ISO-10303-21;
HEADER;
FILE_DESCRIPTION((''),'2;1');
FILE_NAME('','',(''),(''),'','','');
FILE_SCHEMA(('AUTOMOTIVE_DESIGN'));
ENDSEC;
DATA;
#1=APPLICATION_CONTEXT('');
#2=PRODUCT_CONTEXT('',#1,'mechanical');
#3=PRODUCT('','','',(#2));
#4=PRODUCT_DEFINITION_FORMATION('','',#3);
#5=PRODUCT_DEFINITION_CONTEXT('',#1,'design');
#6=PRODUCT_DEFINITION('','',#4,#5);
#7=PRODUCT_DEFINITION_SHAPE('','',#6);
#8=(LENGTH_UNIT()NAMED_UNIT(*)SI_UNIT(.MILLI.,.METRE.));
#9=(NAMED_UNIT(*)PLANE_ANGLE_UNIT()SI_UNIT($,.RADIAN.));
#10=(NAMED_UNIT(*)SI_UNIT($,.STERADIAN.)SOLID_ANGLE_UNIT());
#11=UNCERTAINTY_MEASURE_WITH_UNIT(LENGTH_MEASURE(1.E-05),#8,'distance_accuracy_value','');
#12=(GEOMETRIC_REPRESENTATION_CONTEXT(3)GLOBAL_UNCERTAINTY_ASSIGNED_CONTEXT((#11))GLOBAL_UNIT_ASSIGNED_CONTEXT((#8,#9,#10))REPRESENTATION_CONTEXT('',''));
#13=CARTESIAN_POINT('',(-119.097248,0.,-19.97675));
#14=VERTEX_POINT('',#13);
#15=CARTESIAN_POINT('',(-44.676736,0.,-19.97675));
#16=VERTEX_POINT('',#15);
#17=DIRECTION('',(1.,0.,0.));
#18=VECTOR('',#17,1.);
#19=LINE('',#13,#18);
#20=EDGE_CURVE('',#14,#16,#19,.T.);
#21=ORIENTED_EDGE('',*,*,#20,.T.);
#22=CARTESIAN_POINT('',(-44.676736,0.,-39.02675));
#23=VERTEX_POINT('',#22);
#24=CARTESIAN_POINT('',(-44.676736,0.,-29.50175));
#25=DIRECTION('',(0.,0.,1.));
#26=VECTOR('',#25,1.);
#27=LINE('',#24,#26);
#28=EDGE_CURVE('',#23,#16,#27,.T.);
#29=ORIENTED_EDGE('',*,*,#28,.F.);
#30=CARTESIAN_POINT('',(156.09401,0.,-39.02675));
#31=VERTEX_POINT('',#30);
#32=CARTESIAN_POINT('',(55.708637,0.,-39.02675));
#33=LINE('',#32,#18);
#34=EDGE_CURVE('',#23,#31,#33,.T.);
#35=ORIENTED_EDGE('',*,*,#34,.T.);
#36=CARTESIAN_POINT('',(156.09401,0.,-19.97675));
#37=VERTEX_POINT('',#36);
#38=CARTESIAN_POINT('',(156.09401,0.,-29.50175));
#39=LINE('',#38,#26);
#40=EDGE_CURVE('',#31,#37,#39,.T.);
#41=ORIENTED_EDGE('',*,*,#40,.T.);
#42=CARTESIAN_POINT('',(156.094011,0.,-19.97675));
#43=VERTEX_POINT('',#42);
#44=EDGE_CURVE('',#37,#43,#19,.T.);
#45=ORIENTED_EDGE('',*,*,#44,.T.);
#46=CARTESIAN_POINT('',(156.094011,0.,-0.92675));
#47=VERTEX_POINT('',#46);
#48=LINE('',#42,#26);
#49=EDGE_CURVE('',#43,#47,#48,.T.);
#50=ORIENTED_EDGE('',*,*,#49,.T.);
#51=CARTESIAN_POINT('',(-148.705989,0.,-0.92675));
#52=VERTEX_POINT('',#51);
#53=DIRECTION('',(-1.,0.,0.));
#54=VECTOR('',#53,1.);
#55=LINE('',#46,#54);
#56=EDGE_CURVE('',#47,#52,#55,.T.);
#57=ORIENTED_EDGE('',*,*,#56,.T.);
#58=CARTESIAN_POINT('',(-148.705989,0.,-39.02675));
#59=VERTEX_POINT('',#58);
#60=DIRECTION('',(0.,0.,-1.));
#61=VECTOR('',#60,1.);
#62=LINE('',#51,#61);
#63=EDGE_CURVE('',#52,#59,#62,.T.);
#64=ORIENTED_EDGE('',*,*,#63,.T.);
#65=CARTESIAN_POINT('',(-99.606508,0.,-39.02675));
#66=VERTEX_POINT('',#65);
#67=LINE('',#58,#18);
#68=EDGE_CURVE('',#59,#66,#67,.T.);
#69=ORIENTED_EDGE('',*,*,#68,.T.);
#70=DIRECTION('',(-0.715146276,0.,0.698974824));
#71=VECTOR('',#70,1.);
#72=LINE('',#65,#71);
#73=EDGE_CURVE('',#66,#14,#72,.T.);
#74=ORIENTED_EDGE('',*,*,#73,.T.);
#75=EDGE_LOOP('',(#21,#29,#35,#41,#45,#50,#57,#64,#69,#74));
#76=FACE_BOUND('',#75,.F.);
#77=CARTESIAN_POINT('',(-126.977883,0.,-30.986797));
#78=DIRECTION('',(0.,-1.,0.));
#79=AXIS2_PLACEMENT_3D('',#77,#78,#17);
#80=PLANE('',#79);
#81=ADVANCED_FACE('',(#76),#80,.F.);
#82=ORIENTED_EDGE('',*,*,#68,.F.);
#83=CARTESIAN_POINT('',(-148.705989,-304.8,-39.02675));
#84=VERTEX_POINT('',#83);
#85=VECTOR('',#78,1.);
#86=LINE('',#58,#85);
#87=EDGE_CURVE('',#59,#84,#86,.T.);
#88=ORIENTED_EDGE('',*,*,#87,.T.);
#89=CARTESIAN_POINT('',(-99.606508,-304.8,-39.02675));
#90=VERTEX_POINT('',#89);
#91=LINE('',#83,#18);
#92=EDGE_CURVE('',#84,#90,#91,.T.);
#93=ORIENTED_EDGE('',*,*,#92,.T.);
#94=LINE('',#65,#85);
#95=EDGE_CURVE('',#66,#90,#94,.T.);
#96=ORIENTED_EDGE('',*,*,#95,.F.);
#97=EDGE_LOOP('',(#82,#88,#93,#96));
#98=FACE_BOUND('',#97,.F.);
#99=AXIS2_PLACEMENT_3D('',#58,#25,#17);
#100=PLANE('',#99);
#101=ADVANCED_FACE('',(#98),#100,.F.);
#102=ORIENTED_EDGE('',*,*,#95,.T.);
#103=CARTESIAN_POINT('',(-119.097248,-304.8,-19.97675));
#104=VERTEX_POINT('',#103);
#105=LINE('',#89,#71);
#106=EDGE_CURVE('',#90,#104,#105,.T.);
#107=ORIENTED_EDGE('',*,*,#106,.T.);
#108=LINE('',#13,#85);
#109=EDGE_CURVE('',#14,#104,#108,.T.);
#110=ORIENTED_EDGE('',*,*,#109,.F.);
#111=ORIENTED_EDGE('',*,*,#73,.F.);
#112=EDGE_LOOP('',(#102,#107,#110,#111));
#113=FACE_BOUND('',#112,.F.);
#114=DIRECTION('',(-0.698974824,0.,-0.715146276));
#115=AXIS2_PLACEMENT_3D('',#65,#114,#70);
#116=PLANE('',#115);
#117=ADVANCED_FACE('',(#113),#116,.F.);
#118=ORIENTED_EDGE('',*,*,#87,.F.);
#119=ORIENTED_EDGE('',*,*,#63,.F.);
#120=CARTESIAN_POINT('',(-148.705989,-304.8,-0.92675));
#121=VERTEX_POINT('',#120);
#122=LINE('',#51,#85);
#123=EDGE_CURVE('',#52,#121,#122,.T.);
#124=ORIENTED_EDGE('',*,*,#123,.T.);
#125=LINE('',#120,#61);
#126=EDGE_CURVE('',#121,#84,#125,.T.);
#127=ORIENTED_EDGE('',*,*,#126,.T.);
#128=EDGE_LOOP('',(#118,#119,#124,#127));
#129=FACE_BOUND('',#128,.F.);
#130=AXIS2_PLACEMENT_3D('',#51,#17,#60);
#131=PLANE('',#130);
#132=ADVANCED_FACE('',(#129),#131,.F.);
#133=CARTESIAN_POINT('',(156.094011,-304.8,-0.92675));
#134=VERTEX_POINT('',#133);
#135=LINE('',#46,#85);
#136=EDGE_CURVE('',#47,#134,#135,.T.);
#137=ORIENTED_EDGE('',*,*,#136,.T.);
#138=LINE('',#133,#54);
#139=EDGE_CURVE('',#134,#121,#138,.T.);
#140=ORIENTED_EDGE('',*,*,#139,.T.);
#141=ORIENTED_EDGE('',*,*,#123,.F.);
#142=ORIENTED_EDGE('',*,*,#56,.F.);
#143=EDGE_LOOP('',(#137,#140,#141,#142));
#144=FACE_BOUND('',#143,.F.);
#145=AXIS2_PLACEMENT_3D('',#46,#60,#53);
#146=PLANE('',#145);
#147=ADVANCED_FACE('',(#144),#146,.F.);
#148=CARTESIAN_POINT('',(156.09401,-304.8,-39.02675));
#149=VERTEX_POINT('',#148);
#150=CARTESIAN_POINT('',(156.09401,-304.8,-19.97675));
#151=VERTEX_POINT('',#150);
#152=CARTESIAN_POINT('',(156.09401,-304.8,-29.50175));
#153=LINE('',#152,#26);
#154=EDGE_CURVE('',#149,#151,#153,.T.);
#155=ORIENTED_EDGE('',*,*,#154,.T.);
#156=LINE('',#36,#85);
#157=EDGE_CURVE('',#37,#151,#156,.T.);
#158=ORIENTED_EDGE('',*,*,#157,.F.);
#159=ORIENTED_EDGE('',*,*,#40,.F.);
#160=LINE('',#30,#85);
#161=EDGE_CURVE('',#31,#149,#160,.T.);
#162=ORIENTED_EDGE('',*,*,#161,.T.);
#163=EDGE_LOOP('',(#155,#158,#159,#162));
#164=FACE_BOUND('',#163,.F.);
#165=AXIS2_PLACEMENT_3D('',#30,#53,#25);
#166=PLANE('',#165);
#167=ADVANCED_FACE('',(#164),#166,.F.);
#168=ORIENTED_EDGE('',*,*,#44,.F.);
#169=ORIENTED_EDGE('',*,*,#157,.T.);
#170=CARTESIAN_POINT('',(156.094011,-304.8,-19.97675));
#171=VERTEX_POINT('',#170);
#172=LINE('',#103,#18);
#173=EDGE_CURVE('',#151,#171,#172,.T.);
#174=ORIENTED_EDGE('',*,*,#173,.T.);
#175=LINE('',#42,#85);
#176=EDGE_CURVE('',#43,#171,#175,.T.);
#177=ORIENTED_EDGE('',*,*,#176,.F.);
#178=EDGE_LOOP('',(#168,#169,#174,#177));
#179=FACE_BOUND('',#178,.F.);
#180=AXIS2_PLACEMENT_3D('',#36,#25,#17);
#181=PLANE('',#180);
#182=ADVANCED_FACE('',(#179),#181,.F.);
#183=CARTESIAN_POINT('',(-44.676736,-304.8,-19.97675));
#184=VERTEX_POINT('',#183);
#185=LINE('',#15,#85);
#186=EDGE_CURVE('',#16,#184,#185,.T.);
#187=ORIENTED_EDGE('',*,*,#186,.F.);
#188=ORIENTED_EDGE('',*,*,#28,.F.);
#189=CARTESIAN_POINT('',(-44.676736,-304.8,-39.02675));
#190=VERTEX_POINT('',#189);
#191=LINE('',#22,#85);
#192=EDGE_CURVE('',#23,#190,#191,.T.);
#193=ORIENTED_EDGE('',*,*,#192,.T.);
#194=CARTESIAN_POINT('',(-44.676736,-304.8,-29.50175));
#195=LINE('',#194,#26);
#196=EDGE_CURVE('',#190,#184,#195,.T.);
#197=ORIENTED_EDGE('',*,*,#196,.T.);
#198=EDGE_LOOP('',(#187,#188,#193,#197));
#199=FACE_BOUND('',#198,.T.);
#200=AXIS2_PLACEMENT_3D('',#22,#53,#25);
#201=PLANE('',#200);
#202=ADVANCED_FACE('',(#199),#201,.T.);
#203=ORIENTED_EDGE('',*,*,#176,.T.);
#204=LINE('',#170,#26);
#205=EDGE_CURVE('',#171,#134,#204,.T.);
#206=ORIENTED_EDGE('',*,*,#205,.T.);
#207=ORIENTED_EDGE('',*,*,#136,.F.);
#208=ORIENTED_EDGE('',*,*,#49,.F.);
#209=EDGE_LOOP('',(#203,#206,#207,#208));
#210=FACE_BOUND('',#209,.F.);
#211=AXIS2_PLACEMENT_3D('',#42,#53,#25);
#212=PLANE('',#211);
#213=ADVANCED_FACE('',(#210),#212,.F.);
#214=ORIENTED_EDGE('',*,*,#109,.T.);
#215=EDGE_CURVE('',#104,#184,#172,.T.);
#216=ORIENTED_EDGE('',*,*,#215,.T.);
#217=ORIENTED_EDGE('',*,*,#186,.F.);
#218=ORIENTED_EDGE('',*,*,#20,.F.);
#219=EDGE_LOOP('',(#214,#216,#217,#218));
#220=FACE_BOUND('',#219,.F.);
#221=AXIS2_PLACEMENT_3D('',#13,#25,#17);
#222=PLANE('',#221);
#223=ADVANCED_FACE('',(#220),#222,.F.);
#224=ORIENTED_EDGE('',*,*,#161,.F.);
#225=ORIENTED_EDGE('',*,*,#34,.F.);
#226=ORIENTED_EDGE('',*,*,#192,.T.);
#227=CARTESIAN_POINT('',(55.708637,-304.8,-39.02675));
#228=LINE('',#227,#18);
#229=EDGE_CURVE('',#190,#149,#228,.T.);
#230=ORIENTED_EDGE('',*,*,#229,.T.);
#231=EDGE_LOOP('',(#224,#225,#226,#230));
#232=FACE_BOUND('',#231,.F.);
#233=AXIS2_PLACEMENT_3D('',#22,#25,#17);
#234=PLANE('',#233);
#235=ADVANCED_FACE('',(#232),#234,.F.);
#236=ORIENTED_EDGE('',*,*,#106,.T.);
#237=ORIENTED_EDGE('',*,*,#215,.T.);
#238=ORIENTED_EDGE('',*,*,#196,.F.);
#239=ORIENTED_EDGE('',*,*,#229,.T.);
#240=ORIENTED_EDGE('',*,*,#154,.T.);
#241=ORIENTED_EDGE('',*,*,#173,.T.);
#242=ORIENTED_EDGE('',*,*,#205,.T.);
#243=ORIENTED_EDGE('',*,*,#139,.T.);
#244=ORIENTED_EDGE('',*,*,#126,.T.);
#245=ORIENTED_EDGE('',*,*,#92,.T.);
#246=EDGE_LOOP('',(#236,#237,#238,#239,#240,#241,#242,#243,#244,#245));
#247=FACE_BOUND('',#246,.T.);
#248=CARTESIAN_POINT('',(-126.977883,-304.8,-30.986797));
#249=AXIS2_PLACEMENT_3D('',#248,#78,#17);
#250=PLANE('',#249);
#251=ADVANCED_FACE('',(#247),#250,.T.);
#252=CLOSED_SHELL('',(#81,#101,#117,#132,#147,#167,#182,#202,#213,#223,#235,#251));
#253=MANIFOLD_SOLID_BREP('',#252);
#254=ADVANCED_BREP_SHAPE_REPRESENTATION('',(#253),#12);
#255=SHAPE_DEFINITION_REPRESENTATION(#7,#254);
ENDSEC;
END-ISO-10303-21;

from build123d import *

# Parameters (mm, degrees)
F0_W     = 200.770747
F0_H     = 19.05
F1_DEPTH = 304.8


with BuildPart() as f1:
    # F0 (on Front) → F1 (new body)
    with BuildSketch(Plane.XZ):
        Polygon((-119.097248, -19.97675), (-148.705989, -19.97675), (-148.705989, -39.02675), (-99.606508, -39.02675), align=None)
        Polygon((156.094011, -0.92675), (-148.705989, -0.92675), (-148.705989, -19.97675), (-119.097248, -19.97675), (-44.676736, -19.97675), (156.094011, -19.97675), align=None)
        with Locations((55.708637, -29.50175)):
            Rectangle(F0_W, F0_H)
    extrude(amount=F1_DEPTH)


solid = f1.part
